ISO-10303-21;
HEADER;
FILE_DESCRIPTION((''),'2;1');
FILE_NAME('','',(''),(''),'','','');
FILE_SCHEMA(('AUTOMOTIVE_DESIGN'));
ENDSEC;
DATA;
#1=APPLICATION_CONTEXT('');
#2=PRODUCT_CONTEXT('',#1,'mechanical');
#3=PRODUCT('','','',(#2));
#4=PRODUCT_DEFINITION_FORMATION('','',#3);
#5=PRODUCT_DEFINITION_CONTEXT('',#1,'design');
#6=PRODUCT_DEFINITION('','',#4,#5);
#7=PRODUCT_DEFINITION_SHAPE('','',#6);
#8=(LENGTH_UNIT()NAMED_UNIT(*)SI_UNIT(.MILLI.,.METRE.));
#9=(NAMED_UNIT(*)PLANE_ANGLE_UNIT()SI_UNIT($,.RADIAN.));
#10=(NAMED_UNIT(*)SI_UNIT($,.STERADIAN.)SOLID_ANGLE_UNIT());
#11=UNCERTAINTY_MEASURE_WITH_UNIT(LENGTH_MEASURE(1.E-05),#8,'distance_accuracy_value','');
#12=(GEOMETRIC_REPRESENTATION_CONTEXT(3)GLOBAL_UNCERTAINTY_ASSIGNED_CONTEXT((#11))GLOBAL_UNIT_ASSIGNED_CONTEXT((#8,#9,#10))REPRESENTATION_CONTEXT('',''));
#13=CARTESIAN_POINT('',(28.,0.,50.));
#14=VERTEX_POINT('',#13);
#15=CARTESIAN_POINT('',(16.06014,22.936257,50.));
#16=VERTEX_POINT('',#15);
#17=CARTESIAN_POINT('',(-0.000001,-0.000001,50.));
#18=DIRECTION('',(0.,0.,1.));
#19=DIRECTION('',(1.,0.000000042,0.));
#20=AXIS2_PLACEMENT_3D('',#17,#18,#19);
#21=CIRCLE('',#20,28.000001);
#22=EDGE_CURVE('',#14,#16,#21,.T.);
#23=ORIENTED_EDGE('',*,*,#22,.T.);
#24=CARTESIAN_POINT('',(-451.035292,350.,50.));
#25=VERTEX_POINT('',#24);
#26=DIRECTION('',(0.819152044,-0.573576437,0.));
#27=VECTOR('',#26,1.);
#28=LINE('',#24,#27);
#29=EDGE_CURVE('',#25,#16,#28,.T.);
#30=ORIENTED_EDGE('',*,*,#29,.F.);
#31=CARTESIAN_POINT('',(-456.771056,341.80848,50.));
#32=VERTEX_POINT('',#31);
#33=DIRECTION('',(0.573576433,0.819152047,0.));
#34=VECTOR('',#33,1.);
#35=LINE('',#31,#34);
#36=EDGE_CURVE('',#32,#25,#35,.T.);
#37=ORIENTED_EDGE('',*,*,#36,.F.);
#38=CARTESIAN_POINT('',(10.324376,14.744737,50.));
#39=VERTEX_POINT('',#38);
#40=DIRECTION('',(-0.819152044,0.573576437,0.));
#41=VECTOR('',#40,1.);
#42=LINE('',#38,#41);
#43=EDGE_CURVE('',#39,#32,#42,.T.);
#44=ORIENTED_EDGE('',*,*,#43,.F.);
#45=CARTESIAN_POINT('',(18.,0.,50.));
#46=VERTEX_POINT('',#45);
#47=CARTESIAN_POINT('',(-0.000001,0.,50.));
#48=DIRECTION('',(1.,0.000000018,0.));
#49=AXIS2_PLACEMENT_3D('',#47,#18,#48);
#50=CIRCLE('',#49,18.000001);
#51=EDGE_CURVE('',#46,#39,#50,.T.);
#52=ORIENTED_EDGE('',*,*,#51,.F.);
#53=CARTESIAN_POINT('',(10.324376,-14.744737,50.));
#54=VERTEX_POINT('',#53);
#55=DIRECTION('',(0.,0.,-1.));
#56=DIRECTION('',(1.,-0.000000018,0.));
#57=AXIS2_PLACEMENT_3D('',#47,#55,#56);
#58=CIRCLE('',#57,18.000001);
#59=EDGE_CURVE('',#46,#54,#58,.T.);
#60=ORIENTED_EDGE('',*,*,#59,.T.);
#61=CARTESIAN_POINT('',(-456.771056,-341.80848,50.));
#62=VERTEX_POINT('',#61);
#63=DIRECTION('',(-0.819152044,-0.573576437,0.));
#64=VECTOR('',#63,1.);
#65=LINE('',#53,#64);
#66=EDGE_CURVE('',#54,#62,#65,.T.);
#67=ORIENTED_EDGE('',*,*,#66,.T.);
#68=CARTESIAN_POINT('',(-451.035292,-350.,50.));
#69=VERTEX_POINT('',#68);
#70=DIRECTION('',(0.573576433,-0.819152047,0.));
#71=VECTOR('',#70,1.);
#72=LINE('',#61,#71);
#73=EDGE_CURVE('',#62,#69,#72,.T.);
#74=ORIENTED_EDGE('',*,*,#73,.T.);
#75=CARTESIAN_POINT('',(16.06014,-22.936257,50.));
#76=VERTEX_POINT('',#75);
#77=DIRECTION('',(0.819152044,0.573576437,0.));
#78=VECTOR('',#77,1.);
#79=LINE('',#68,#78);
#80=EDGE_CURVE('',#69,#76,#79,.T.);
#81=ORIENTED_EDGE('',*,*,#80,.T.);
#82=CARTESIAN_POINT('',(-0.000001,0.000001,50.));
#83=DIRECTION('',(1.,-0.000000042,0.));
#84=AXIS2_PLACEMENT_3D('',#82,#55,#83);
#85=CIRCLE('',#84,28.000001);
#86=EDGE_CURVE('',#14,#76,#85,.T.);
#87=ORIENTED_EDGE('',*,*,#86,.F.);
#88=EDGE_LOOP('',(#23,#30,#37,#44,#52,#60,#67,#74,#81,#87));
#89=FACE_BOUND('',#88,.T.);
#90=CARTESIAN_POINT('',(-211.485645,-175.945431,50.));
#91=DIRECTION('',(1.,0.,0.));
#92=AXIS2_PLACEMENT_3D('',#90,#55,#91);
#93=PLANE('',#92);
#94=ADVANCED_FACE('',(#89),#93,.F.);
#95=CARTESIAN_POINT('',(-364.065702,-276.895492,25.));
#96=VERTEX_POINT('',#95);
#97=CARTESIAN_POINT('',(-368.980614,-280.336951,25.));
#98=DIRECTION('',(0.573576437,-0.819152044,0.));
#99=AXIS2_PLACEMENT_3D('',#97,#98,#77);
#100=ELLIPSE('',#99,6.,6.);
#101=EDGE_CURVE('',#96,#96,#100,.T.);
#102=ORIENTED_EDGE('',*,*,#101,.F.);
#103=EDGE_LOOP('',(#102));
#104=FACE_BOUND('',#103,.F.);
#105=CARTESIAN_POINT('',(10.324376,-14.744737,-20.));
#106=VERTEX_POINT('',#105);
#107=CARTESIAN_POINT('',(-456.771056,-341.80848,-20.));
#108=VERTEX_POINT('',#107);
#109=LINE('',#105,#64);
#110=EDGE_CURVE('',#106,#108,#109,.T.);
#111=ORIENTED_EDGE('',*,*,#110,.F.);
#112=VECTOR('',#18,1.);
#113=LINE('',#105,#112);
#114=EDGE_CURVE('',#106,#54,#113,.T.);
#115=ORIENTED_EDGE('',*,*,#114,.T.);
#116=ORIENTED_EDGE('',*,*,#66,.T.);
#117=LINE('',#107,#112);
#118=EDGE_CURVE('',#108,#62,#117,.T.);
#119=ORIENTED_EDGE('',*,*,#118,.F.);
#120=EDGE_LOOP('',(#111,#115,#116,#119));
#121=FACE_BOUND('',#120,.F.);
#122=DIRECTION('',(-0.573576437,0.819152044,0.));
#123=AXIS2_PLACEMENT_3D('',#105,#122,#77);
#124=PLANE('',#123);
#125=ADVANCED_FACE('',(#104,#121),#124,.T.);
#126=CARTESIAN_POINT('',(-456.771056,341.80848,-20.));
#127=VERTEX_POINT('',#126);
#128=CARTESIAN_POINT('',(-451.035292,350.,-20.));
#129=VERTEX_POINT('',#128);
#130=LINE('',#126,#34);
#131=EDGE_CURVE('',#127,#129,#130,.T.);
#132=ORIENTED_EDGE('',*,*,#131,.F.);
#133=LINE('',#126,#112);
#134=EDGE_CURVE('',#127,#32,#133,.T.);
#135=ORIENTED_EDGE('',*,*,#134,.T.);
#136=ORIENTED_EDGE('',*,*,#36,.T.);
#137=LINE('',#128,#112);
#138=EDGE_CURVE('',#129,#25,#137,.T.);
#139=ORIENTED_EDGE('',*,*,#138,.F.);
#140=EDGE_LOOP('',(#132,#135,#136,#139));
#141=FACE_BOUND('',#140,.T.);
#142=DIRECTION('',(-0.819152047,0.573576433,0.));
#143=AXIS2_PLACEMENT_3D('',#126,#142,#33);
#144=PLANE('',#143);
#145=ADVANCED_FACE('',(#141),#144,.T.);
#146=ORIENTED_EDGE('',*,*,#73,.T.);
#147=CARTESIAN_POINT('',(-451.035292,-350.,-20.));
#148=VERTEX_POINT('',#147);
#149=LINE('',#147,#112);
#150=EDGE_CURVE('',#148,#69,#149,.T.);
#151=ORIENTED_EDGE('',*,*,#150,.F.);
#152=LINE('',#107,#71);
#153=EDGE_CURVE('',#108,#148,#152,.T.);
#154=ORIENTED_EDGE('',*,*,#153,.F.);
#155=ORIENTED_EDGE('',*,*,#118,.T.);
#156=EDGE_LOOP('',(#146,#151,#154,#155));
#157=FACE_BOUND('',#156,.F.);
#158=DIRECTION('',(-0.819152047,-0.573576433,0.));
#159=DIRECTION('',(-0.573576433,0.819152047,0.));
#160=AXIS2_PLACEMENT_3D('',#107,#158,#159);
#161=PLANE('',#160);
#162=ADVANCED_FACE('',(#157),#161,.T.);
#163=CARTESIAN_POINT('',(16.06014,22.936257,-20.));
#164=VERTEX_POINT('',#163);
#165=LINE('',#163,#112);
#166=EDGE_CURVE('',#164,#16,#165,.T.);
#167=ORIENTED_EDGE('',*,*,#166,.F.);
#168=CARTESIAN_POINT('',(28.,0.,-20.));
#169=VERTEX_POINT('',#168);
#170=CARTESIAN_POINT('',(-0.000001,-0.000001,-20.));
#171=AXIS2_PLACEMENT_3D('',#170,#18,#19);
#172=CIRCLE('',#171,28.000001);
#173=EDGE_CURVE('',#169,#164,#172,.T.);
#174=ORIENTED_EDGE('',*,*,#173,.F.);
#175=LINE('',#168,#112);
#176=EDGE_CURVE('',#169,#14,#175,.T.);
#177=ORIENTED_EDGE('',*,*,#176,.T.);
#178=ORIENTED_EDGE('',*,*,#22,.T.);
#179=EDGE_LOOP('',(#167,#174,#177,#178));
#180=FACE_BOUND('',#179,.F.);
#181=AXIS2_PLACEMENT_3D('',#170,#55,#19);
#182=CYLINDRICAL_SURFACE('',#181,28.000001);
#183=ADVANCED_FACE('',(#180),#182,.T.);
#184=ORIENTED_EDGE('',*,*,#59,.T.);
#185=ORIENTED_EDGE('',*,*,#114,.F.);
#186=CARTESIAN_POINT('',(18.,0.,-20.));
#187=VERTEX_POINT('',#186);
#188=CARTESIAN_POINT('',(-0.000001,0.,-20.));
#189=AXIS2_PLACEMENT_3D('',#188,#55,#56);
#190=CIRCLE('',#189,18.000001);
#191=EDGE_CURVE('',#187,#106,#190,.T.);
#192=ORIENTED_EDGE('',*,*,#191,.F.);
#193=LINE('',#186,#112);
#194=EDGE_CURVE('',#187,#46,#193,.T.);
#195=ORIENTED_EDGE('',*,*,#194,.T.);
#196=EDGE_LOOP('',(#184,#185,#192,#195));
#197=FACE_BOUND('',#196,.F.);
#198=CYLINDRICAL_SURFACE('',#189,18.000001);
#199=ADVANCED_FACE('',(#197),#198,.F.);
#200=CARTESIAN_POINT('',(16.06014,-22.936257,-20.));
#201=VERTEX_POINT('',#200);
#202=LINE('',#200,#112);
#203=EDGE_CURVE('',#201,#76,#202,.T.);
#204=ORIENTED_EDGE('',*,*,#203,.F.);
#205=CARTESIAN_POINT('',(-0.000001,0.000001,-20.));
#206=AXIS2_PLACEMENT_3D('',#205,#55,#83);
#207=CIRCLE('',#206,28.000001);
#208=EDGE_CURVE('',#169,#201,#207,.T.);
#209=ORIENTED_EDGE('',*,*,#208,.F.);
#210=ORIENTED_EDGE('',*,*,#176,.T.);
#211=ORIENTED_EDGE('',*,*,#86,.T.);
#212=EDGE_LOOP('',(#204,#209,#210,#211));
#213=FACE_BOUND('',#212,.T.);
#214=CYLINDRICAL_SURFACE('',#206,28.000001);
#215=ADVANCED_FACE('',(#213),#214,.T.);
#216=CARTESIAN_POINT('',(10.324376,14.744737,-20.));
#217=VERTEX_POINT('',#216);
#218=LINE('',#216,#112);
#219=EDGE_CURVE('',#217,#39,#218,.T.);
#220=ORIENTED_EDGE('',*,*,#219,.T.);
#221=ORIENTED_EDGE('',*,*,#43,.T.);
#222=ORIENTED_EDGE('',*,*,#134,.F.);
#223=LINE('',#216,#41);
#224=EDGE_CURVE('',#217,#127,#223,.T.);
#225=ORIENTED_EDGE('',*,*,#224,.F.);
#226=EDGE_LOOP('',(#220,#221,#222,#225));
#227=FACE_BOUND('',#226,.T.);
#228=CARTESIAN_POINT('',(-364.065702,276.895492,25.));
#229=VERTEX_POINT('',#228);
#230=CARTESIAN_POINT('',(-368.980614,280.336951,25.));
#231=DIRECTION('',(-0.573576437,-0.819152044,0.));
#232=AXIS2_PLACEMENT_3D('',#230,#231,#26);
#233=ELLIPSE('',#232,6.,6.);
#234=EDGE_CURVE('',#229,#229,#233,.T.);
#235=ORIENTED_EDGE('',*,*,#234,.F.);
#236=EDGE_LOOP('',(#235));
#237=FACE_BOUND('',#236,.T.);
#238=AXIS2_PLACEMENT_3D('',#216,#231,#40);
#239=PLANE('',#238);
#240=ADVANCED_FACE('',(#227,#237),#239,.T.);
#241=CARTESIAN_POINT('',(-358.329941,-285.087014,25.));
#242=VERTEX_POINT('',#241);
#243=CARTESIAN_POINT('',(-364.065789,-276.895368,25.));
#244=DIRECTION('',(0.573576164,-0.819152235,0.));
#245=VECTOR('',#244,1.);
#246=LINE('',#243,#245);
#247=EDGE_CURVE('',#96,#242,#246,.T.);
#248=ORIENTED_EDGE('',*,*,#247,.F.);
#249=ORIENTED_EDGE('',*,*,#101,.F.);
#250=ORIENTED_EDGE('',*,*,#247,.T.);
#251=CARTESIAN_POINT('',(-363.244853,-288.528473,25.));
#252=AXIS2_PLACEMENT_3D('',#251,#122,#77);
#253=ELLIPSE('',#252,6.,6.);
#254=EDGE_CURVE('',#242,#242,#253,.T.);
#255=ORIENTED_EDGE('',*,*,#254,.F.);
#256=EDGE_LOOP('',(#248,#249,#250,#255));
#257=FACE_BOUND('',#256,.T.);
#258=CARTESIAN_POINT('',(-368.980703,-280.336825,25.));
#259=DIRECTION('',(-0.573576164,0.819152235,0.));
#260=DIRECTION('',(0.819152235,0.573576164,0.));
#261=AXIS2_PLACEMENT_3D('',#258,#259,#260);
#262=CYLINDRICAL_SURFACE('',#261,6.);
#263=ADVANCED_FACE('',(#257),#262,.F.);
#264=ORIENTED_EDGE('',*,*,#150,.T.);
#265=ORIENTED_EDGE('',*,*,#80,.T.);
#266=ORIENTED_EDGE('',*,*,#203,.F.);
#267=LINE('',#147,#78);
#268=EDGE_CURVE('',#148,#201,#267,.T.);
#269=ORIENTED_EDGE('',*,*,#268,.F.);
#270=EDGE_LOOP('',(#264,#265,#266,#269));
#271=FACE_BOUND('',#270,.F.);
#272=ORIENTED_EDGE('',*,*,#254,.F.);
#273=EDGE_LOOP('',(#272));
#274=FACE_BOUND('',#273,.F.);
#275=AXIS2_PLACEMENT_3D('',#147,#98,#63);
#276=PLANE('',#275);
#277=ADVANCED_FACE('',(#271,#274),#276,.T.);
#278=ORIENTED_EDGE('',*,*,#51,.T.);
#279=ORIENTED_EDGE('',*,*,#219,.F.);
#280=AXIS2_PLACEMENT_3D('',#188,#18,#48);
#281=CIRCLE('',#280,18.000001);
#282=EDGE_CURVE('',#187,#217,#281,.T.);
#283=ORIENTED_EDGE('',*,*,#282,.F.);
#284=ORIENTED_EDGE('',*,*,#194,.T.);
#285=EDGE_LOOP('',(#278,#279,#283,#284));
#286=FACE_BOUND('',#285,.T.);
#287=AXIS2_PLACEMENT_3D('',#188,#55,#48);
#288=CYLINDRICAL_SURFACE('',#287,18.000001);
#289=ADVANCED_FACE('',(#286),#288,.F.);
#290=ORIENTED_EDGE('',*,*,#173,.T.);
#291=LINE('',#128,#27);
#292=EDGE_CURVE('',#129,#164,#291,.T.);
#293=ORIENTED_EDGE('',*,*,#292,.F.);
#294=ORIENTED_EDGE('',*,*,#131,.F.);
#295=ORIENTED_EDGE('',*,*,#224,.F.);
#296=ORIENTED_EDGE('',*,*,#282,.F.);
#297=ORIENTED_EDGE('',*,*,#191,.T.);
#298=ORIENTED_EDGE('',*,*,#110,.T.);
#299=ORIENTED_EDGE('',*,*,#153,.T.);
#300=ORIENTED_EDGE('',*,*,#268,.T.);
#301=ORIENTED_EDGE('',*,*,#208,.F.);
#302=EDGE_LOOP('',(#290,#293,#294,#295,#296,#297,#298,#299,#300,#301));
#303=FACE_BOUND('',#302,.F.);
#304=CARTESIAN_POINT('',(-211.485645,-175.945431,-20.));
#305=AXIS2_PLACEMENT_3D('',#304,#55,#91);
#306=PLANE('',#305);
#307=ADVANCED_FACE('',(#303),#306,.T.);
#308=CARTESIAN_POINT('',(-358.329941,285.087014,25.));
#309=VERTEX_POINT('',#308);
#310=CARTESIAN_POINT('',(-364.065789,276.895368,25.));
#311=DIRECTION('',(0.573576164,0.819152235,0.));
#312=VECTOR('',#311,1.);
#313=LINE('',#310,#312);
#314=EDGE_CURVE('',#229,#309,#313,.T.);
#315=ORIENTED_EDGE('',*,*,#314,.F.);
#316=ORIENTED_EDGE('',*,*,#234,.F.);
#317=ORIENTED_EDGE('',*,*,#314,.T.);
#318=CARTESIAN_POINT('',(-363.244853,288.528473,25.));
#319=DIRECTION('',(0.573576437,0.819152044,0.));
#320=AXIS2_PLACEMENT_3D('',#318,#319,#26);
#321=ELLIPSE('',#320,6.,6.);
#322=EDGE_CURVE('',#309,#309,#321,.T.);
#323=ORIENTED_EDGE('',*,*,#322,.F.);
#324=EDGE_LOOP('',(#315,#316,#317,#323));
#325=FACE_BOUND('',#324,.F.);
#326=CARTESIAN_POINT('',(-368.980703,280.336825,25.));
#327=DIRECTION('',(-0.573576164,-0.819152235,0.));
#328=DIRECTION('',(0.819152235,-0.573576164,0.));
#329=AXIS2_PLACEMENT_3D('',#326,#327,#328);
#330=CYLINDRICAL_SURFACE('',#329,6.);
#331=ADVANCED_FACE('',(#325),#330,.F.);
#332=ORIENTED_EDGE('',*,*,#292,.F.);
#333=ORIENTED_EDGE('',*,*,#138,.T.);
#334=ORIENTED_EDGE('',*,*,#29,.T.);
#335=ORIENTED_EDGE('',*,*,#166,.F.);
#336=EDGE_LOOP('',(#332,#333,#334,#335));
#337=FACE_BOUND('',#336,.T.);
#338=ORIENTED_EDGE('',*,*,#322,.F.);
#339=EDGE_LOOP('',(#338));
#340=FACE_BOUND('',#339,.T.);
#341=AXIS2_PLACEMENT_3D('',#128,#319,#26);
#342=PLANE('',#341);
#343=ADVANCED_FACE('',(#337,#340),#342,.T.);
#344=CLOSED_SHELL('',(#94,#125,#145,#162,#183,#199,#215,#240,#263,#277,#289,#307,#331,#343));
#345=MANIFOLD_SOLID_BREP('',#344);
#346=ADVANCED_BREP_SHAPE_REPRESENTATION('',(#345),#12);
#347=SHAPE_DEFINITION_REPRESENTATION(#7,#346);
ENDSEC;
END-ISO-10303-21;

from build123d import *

# Parameters (mm, degrees)
PAD002_DEPTH           = 70
SKETCH006_R            = 6
POCKET002_DEPTH        = 30
SKETCH007_R            = 6
POCKET003_DEPTH        = 284.764356
LINEARPATTERN001_COUNT = 4
LINEARPATTERN001_PITCH = 130


with BuildPart() as part:
    # Sketch004 → Pad002 (new body)
    with BuildSketch(Plane.XY):
        with BuildLine():
            Line((-451.035292, 350), (16.06014, 22.936257))
            ThreePointArc((28, 0), (24.836303, 12.928961), (16.06014, 22.936257))
            Line((18, 0), (28, 0))
            ThreePointArc((18, 0), (15.966195, 8.311475), (10.324376, 14.744737))
            Line((10.324376, 14.744737), (-456.771056, 341.80848))
            Line((-456.771056, 341.80848), (-451.035292, 350))
        make_face()
    extrude(amount=PAD002_DEPTH)

    # Sketch006 → Pocket002 (cut)
    with BuildSketch(Plane(origin=(0, 126.75, 0), x_dir=(-1, 0, 0), z_dir=(0, 1, 0))):
        with Locations((26.740569, 25.24131)):
            Circle(SKETCH006_R)
    extrude(amount=-POCKET002_DEPTH, mode=Mode.SUBTRACT)

    # Sketch007 (on Face2 of Pocket002) → Pocket003 (cut, through all)
    with BuildSketch(Plane(origin=(10.324376, 14.744737, 0), x_dir=(0.819152, -0.573576, 0), z_dir=(-0.573576, -0.819152, 0))):
        with Locations((-463.045894, 45)):
            Circle(SKETCH007_R)
    pocket003 = extrude(amount=-POCKET003_DEPTH, mode=Mode.SUBTRACT)

    # LinearPattern001: Pocket003 ×4
    with Locations(*[Vector(-0.819152, 0.573576, 0) * (i * LINEARPATTERN001_PITCH) for i in range(1, LINEARPATTERN001_COUNT)]):
        add(pocket003, mode=Mode.SUBTRACT)

    # Mirrored001: part across XZ


with BuildPart() as part_1:
    add(part.part)
    add(part.part.mirror(Plane.XZ))


with BuildPart() as part_2:
    # Body001 placement: moved
    add(part_1.part.moved(Location((0, 0, -20))))


solid = part_2.part
